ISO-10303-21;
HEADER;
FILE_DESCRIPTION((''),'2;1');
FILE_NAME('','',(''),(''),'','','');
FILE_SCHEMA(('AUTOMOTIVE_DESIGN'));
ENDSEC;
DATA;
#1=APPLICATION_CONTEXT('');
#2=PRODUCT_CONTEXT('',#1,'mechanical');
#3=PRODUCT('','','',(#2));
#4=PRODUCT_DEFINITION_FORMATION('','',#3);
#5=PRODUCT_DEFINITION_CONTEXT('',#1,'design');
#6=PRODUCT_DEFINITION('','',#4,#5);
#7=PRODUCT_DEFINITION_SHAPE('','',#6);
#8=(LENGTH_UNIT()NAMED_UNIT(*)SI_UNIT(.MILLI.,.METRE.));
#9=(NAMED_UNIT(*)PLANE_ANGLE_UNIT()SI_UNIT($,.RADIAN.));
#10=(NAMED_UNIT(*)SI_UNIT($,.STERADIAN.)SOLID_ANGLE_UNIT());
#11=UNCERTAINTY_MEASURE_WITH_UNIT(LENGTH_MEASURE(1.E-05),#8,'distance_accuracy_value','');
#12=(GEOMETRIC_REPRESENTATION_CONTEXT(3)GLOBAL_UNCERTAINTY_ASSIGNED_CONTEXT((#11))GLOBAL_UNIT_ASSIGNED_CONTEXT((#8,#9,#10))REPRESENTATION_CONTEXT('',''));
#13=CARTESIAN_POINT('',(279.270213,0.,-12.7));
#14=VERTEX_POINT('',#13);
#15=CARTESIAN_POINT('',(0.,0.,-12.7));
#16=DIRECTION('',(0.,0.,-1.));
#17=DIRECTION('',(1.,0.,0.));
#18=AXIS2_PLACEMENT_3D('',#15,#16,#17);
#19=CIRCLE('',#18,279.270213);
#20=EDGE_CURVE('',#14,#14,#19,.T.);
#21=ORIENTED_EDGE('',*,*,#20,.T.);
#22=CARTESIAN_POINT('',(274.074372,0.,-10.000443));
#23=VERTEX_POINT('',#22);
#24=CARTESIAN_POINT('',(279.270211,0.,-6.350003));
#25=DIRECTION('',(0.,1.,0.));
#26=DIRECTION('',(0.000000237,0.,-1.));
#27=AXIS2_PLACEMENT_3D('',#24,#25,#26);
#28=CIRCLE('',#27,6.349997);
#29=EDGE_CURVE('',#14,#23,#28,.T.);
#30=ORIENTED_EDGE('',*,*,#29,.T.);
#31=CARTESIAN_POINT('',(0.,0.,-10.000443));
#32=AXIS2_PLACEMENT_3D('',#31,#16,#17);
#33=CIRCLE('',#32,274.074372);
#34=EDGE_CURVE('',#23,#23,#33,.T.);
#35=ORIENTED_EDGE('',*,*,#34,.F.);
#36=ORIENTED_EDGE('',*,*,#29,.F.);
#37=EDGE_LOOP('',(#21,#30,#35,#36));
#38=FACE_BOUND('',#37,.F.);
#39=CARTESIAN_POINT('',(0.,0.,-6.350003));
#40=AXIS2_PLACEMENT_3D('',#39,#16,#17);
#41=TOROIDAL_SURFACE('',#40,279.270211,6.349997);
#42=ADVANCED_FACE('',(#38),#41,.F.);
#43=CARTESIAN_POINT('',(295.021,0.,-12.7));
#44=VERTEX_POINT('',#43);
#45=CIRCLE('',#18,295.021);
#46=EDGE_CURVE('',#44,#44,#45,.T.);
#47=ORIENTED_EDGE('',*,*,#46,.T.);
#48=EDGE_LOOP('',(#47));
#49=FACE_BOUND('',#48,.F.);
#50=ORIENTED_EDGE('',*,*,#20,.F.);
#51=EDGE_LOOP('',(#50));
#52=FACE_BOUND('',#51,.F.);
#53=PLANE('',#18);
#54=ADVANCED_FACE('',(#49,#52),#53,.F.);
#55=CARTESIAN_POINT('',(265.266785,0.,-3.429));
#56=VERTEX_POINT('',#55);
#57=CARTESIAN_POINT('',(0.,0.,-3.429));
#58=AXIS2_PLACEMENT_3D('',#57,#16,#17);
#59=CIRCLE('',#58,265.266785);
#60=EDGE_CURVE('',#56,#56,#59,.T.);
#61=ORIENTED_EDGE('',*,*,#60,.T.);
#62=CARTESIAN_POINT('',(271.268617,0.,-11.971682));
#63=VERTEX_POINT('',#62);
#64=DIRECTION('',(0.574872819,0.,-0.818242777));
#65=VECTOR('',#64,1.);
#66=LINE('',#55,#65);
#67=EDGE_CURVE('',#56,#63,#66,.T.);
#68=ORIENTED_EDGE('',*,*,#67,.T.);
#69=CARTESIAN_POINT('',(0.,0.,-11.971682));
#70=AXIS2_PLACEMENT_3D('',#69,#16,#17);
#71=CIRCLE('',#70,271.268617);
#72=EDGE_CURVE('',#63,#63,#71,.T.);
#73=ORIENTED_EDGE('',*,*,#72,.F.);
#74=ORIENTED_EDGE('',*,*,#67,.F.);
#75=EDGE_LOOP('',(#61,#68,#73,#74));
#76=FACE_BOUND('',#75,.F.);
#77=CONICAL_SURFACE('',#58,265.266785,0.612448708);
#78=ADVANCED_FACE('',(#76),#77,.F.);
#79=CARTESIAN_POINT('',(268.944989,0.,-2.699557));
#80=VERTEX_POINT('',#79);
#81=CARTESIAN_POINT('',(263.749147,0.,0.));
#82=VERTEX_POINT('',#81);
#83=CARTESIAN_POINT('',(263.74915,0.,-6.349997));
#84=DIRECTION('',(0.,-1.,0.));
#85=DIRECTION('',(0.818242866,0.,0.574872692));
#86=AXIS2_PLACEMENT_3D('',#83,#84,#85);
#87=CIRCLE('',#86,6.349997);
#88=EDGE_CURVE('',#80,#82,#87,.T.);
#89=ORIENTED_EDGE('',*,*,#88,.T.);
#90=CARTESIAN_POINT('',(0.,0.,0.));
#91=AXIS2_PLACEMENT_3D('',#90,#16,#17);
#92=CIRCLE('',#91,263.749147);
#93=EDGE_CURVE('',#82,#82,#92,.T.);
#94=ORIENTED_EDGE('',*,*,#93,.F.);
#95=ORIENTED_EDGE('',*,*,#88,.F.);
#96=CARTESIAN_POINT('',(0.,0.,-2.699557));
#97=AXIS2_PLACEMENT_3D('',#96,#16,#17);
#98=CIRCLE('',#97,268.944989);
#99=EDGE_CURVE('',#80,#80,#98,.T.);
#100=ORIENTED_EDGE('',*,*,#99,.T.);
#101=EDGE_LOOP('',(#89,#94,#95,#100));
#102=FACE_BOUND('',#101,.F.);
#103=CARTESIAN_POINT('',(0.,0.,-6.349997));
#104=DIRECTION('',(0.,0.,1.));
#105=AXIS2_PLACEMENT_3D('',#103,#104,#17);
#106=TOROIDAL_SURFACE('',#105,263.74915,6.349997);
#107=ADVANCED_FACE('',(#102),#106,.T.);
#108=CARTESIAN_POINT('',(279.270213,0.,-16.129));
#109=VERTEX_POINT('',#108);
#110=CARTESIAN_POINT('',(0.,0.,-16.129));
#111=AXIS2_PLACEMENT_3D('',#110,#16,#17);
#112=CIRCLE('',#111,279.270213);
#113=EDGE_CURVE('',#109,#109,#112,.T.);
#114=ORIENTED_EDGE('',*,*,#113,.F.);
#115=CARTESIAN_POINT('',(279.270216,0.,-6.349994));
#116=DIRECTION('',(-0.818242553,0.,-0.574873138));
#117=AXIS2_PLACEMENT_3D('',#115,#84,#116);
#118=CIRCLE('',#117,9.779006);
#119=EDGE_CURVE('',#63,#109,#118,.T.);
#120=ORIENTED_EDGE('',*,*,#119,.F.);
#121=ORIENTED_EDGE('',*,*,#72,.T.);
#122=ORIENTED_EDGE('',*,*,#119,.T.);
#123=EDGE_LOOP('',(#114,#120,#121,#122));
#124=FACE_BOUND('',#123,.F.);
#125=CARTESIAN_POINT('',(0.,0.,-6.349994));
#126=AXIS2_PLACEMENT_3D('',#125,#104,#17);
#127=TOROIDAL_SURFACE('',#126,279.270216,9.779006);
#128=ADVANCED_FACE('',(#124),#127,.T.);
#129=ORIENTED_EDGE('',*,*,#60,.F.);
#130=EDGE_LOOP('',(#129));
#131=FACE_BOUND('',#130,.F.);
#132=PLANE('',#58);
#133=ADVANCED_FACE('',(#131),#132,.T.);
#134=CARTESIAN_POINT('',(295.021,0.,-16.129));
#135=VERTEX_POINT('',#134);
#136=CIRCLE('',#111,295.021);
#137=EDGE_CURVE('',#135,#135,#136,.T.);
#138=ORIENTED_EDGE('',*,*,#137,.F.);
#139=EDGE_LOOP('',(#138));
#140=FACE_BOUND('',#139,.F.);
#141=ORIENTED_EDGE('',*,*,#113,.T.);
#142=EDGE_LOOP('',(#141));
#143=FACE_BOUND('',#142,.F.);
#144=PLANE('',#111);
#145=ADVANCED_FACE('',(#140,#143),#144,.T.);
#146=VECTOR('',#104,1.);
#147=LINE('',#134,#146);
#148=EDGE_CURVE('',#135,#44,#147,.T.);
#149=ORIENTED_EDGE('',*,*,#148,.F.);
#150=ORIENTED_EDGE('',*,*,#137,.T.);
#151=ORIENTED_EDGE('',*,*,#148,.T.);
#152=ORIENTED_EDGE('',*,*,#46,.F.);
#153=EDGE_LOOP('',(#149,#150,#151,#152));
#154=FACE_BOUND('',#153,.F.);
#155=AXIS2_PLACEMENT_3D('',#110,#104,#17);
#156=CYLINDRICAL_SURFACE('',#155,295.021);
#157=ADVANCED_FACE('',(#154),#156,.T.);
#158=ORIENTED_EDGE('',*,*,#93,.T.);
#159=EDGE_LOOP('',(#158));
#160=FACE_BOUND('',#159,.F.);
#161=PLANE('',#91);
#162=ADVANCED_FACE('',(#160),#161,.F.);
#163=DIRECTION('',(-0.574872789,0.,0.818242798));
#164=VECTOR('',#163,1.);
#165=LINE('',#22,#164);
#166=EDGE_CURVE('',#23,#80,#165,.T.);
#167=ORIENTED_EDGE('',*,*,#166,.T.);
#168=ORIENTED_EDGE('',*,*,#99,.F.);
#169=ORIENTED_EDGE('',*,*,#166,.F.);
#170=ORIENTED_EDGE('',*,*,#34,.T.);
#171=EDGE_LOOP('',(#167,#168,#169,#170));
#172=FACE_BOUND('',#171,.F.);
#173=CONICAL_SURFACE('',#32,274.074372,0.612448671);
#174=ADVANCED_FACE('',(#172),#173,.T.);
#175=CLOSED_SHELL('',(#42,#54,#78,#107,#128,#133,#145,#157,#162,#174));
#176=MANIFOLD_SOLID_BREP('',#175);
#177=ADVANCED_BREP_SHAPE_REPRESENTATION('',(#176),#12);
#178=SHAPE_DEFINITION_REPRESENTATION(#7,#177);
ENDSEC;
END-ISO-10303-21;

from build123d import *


with BuildPart() as f1:
    # F0 (on Front) → F1 (revolve)
    with BuildSketch(Plane.XZ):
        with BuildLine():
            Line((263.749147, 0), (0, 0))
            Line((0, 0), (0, -3.429))
            Line((0, -3.429), (265.266785, -3.429))
            Line((265.266785, -3.429), (271.268617, -11.971682))
            ThreePointArc((271.268617, -11.971682), (274.761643, -15.027651), (279.270213, -16.129))
            Line((279.270213, -16.129), (295.021, -16.129))
            Line((295.021, -16.129), (295.021, -12.7))
            Line((295.021, -12.7), (279.270213, -12.7))
            ThreePointArc((279.270213, -12.7), (276.34257, -11.984839), (274.074372, -10.000443))
            Line((274.074372, -10.000443), (268.944989, -2.699557))
            ThreePointArc((268.944989, -2.699557), (266.676791, -0.715161), (263.749147, 0))
        make_face()
    revolve(axis=Axis((0, 0, -1.7145), (0, 0, -1)))


solid = f1.part
